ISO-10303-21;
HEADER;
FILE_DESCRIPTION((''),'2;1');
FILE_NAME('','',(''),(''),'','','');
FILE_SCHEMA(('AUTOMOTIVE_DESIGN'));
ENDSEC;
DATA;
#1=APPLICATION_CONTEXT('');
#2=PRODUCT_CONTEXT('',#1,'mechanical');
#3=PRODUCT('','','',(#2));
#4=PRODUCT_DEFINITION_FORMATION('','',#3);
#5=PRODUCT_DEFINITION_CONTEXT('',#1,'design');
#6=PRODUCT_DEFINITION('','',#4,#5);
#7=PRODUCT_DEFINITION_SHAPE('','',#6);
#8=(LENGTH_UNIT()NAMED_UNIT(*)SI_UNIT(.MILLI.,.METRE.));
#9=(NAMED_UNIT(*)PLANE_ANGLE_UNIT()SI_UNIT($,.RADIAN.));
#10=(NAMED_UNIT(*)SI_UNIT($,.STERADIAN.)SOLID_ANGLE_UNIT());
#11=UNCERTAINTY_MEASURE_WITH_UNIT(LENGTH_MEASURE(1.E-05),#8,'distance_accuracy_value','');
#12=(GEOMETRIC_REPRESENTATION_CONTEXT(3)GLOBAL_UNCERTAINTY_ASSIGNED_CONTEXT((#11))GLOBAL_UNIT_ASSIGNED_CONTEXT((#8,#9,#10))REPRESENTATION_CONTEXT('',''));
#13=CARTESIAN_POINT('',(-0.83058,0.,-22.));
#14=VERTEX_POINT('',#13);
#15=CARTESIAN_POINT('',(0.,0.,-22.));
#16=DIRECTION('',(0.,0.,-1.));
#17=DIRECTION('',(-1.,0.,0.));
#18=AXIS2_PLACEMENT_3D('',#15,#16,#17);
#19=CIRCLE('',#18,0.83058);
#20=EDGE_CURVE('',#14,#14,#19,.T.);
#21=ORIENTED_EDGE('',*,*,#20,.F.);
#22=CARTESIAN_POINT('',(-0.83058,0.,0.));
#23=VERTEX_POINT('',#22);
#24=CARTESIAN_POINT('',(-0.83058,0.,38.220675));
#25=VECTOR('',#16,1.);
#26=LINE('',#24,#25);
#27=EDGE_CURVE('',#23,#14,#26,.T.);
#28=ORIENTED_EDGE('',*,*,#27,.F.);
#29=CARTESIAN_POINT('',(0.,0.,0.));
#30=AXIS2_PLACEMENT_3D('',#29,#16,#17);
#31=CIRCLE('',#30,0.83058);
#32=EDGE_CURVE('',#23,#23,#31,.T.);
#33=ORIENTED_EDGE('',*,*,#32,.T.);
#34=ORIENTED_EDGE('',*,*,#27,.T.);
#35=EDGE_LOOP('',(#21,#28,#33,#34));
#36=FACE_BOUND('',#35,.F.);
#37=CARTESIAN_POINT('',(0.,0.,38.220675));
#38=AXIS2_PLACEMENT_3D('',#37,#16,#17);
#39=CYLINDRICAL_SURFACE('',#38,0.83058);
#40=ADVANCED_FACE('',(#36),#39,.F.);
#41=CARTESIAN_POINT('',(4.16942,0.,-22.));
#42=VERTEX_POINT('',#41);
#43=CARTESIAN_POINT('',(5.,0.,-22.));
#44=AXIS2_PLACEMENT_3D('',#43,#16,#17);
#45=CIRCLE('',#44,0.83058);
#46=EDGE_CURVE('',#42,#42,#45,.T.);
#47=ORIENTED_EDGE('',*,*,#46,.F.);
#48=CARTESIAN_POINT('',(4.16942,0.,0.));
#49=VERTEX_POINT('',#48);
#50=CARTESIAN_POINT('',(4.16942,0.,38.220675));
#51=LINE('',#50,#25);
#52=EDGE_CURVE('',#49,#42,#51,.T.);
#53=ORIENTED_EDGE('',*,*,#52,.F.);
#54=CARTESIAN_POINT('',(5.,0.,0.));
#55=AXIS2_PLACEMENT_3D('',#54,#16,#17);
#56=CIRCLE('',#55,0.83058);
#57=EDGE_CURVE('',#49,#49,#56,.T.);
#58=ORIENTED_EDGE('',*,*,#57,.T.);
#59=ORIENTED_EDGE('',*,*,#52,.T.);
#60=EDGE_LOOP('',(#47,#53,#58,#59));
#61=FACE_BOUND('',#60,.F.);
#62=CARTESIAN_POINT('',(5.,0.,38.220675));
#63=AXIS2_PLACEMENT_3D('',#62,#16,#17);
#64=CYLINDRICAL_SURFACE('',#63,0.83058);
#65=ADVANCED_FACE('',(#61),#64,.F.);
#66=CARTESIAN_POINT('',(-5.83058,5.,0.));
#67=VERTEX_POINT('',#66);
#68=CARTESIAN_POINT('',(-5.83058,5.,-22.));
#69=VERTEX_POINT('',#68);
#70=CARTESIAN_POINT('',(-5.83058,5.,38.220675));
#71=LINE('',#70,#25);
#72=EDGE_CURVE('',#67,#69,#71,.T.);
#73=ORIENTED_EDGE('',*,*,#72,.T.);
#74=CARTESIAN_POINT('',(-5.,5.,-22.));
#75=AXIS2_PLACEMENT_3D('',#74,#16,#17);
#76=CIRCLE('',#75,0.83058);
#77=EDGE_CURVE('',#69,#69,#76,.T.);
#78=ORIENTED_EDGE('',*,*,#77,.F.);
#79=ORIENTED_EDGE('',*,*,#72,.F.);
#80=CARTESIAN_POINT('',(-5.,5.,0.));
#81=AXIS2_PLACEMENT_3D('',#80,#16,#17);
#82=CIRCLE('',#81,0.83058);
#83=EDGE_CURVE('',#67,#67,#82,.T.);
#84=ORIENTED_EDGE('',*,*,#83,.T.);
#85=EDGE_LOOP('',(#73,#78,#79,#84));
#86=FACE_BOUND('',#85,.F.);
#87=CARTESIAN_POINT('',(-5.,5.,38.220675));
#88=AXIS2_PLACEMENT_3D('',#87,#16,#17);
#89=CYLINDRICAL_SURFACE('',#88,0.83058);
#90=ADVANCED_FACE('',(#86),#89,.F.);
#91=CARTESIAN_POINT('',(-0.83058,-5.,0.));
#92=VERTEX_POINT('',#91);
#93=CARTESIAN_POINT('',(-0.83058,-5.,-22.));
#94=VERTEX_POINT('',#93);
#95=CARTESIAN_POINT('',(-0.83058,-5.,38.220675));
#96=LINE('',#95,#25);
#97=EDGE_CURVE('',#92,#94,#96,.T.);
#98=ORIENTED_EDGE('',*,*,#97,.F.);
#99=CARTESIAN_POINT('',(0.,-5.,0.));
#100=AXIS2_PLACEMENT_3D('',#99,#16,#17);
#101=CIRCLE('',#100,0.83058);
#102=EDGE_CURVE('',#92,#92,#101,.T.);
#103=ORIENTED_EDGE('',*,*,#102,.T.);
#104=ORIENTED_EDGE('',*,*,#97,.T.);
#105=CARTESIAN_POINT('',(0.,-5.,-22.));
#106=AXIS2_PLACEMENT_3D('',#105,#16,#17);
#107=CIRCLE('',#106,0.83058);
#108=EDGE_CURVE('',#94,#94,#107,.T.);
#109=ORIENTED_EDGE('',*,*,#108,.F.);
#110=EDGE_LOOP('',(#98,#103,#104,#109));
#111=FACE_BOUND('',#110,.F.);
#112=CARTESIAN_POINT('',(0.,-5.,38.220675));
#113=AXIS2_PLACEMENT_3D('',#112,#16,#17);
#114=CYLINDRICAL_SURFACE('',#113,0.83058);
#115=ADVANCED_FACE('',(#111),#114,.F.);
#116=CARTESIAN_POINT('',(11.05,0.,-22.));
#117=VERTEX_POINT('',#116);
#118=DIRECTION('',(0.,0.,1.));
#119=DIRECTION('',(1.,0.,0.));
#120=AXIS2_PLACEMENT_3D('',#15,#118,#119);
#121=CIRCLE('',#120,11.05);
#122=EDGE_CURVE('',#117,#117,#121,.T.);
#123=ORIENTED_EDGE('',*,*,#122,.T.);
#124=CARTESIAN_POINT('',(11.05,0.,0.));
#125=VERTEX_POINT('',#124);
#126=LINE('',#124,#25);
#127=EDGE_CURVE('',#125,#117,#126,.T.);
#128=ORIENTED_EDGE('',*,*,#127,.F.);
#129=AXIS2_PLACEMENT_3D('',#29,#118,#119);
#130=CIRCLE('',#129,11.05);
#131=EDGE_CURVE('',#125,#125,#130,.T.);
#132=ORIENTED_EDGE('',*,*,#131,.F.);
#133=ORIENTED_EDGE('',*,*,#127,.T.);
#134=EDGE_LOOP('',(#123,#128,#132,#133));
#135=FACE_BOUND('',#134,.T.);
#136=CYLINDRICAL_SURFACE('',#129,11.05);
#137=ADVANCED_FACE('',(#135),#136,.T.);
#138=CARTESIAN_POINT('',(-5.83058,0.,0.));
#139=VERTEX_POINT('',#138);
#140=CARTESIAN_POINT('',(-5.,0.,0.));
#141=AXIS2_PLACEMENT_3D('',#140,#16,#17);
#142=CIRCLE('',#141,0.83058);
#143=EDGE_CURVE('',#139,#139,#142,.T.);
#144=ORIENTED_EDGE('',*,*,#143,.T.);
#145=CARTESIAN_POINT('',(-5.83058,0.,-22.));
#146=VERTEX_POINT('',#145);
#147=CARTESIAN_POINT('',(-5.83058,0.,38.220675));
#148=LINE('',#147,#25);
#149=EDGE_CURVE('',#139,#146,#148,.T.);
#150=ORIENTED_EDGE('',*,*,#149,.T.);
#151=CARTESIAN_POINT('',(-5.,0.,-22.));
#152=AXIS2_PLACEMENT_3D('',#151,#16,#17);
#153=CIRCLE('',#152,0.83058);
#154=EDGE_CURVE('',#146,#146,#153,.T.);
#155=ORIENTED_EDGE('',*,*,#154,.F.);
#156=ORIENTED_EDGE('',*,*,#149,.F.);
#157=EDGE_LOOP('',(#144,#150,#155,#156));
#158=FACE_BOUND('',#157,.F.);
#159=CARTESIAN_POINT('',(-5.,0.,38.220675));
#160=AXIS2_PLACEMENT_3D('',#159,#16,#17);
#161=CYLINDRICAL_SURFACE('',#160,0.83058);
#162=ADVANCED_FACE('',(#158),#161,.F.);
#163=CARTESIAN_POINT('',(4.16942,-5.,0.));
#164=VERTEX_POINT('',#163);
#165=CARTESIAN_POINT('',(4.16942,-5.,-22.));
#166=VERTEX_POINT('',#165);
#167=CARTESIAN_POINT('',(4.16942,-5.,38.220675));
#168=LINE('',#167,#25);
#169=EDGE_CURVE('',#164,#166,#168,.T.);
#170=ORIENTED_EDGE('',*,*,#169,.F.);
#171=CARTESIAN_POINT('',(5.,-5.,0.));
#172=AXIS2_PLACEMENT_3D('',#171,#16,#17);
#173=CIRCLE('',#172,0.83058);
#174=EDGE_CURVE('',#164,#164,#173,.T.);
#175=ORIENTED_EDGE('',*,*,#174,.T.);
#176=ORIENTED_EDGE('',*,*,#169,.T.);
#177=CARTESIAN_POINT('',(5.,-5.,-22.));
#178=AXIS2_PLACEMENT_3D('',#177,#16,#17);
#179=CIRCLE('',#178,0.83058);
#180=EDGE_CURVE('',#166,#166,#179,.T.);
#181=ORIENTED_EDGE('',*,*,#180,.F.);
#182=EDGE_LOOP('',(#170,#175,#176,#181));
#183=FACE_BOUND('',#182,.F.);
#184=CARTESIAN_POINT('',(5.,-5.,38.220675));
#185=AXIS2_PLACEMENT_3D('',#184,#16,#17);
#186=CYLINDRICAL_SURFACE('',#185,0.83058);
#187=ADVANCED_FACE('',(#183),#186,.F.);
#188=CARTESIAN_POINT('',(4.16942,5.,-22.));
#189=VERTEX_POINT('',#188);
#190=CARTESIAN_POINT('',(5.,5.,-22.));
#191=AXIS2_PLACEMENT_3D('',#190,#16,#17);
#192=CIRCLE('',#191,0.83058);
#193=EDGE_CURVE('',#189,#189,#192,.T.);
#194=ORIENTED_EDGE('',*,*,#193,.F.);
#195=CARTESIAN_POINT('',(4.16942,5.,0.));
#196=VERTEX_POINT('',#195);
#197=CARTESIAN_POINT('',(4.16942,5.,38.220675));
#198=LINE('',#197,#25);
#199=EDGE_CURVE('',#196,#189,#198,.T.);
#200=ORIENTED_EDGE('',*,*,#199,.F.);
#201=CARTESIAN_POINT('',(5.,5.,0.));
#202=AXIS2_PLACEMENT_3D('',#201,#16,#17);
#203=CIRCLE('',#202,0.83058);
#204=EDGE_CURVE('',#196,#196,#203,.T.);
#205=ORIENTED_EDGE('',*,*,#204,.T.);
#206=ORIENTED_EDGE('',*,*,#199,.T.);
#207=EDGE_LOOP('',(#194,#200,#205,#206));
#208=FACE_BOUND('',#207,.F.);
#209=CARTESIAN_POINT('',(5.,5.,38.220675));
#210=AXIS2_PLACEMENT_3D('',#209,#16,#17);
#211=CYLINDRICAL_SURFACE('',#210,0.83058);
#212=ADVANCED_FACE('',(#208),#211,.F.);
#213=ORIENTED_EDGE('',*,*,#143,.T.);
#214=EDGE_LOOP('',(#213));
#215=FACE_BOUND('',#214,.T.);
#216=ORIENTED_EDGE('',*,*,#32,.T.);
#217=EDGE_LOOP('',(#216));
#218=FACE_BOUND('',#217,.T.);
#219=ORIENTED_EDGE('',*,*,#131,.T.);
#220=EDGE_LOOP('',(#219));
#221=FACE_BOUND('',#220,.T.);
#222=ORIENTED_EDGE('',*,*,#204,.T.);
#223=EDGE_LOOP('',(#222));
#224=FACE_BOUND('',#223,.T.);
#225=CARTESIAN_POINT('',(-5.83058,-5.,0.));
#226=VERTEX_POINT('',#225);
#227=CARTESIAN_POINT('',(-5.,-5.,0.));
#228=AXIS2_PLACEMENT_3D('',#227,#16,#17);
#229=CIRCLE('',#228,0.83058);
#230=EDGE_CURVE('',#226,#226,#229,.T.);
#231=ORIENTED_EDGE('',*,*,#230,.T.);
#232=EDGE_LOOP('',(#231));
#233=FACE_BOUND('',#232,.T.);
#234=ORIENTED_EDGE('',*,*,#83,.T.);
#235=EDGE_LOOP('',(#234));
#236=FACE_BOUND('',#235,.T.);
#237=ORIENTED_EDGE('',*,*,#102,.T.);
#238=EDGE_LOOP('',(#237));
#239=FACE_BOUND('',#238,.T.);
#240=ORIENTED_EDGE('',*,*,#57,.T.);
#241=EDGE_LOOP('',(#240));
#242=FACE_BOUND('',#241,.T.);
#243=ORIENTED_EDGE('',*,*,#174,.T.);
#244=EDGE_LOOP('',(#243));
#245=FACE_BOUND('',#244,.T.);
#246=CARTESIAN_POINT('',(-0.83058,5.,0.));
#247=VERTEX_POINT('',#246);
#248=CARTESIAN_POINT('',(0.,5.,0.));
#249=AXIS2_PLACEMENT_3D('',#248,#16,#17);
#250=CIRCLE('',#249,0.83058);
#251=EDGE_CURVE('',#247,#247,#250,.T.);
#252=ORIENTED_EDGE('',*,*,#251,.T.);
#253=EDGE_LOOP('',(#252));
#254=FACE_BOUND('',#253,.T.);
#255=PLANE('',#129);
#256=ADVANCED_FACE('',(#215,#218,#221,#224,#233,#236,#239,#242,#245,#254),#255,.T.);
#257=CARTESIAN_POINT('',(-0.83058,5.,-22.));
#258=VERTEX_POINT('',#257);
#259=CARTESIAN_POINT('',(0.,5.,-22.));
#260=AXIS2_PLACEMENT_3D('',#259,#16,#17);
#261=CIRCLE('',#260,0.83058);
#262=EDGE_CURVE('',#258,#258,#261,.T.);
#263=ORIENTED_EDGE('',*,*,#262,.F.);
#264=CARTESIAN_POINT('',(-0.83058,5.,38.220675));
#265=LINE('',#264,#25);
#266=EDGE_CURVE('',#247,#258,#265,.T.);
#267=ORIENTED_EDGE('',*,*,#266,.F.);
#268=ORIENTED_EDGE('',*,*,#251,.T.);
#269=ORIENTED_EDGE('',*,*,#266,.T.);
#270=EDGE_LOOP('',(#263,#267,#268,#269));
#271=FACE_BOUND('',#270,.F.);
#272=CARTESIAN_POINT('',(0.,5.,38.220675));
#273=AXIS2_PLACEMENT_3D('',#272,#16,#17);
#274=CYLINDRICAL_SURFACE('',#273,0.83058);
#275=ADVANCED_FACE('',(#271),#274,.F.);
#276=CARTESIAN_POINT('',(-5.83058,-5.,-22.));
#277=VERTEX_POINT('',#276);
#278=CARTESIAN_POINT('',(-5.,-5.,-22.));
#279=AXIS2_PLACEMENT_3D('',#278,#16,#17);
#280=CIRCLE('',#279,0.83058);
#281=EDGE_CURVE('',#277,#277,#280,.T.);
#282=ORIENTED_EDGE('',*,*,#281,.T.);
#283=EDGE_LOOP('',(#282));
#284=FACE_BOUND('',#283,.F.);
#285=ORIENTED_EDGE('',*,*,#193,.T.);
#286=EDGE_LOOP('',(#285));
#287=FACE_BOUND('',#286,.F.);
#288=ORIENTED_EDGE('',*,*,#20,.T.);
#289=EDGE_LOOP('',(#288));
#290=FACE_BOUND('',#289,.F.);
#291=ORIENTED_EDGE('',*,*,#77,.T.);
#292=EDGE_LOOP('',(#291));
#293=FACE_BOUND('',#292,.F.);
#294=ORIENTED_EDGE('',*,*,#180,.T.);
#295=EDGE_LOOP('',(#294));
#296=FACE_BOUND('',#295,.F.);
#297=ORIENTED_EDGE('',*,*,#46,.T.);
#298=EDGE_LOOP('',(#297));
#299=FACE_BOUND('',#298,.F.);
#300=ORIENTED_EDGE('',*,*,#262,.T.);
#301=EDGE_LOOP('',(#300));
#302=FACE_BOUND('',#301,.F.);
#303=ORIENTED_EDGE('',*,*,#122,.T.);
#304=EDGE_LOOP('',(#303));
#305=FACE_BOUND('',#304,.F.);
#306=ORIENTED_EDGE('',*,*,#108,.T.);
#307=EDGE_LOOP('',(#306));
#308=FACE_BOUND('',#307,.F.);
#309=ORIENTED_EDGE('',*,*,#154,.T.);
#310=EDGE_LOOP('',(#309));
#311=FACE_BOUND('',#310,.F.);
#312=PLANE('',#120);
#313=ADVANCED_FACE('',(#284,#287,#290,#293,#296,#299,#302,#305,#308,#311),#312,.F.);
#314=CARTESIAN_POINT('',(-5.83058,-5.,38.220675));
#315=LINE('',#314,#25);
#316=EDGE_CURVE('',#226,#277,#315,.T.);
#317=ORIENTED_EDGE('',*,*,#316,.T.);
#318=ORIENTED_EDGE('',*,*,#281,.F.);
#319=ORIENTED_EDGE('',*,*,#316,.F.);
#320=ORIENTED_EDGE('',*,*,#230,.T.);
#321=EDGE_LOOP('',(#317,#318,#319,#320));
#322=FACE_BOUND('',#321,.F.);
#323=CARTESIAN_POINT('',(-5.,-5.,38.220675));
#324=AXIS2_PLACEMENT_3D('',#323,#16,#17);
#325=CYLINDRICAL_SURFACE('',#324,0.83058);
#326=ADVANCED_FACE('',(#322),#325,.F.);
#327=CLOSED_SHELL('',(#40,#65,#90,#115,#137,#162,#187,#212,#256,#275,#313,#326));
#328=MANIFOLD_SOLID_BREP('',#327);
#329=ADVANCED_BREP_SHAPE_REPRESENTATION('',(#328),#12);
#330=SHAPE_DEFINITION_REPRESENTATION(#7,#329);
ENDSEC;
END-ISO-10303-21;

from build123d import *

# Parameters (mm, degrees)
F0_R     = 11.05
F1_DEPTH = 22
F2_D     = 1.66116


with BuildPart() as f1:
    # F0 (on Top) → F1 (new body)
    with BuildSketch(Plane.XY):
        Circle(F0_R)
    extrude(amount=-F1_DEPTH)

    # F2 (through all)
    with Locations(Plane.XY):
        with Locations((0, 5), (-5, 5), (-5, 0), (-5, -5), (0, -5), (5, -5), (5, 0), (5, 5), (0, 0)):
            Hole(F2_D / 2)


solid = f1.part
